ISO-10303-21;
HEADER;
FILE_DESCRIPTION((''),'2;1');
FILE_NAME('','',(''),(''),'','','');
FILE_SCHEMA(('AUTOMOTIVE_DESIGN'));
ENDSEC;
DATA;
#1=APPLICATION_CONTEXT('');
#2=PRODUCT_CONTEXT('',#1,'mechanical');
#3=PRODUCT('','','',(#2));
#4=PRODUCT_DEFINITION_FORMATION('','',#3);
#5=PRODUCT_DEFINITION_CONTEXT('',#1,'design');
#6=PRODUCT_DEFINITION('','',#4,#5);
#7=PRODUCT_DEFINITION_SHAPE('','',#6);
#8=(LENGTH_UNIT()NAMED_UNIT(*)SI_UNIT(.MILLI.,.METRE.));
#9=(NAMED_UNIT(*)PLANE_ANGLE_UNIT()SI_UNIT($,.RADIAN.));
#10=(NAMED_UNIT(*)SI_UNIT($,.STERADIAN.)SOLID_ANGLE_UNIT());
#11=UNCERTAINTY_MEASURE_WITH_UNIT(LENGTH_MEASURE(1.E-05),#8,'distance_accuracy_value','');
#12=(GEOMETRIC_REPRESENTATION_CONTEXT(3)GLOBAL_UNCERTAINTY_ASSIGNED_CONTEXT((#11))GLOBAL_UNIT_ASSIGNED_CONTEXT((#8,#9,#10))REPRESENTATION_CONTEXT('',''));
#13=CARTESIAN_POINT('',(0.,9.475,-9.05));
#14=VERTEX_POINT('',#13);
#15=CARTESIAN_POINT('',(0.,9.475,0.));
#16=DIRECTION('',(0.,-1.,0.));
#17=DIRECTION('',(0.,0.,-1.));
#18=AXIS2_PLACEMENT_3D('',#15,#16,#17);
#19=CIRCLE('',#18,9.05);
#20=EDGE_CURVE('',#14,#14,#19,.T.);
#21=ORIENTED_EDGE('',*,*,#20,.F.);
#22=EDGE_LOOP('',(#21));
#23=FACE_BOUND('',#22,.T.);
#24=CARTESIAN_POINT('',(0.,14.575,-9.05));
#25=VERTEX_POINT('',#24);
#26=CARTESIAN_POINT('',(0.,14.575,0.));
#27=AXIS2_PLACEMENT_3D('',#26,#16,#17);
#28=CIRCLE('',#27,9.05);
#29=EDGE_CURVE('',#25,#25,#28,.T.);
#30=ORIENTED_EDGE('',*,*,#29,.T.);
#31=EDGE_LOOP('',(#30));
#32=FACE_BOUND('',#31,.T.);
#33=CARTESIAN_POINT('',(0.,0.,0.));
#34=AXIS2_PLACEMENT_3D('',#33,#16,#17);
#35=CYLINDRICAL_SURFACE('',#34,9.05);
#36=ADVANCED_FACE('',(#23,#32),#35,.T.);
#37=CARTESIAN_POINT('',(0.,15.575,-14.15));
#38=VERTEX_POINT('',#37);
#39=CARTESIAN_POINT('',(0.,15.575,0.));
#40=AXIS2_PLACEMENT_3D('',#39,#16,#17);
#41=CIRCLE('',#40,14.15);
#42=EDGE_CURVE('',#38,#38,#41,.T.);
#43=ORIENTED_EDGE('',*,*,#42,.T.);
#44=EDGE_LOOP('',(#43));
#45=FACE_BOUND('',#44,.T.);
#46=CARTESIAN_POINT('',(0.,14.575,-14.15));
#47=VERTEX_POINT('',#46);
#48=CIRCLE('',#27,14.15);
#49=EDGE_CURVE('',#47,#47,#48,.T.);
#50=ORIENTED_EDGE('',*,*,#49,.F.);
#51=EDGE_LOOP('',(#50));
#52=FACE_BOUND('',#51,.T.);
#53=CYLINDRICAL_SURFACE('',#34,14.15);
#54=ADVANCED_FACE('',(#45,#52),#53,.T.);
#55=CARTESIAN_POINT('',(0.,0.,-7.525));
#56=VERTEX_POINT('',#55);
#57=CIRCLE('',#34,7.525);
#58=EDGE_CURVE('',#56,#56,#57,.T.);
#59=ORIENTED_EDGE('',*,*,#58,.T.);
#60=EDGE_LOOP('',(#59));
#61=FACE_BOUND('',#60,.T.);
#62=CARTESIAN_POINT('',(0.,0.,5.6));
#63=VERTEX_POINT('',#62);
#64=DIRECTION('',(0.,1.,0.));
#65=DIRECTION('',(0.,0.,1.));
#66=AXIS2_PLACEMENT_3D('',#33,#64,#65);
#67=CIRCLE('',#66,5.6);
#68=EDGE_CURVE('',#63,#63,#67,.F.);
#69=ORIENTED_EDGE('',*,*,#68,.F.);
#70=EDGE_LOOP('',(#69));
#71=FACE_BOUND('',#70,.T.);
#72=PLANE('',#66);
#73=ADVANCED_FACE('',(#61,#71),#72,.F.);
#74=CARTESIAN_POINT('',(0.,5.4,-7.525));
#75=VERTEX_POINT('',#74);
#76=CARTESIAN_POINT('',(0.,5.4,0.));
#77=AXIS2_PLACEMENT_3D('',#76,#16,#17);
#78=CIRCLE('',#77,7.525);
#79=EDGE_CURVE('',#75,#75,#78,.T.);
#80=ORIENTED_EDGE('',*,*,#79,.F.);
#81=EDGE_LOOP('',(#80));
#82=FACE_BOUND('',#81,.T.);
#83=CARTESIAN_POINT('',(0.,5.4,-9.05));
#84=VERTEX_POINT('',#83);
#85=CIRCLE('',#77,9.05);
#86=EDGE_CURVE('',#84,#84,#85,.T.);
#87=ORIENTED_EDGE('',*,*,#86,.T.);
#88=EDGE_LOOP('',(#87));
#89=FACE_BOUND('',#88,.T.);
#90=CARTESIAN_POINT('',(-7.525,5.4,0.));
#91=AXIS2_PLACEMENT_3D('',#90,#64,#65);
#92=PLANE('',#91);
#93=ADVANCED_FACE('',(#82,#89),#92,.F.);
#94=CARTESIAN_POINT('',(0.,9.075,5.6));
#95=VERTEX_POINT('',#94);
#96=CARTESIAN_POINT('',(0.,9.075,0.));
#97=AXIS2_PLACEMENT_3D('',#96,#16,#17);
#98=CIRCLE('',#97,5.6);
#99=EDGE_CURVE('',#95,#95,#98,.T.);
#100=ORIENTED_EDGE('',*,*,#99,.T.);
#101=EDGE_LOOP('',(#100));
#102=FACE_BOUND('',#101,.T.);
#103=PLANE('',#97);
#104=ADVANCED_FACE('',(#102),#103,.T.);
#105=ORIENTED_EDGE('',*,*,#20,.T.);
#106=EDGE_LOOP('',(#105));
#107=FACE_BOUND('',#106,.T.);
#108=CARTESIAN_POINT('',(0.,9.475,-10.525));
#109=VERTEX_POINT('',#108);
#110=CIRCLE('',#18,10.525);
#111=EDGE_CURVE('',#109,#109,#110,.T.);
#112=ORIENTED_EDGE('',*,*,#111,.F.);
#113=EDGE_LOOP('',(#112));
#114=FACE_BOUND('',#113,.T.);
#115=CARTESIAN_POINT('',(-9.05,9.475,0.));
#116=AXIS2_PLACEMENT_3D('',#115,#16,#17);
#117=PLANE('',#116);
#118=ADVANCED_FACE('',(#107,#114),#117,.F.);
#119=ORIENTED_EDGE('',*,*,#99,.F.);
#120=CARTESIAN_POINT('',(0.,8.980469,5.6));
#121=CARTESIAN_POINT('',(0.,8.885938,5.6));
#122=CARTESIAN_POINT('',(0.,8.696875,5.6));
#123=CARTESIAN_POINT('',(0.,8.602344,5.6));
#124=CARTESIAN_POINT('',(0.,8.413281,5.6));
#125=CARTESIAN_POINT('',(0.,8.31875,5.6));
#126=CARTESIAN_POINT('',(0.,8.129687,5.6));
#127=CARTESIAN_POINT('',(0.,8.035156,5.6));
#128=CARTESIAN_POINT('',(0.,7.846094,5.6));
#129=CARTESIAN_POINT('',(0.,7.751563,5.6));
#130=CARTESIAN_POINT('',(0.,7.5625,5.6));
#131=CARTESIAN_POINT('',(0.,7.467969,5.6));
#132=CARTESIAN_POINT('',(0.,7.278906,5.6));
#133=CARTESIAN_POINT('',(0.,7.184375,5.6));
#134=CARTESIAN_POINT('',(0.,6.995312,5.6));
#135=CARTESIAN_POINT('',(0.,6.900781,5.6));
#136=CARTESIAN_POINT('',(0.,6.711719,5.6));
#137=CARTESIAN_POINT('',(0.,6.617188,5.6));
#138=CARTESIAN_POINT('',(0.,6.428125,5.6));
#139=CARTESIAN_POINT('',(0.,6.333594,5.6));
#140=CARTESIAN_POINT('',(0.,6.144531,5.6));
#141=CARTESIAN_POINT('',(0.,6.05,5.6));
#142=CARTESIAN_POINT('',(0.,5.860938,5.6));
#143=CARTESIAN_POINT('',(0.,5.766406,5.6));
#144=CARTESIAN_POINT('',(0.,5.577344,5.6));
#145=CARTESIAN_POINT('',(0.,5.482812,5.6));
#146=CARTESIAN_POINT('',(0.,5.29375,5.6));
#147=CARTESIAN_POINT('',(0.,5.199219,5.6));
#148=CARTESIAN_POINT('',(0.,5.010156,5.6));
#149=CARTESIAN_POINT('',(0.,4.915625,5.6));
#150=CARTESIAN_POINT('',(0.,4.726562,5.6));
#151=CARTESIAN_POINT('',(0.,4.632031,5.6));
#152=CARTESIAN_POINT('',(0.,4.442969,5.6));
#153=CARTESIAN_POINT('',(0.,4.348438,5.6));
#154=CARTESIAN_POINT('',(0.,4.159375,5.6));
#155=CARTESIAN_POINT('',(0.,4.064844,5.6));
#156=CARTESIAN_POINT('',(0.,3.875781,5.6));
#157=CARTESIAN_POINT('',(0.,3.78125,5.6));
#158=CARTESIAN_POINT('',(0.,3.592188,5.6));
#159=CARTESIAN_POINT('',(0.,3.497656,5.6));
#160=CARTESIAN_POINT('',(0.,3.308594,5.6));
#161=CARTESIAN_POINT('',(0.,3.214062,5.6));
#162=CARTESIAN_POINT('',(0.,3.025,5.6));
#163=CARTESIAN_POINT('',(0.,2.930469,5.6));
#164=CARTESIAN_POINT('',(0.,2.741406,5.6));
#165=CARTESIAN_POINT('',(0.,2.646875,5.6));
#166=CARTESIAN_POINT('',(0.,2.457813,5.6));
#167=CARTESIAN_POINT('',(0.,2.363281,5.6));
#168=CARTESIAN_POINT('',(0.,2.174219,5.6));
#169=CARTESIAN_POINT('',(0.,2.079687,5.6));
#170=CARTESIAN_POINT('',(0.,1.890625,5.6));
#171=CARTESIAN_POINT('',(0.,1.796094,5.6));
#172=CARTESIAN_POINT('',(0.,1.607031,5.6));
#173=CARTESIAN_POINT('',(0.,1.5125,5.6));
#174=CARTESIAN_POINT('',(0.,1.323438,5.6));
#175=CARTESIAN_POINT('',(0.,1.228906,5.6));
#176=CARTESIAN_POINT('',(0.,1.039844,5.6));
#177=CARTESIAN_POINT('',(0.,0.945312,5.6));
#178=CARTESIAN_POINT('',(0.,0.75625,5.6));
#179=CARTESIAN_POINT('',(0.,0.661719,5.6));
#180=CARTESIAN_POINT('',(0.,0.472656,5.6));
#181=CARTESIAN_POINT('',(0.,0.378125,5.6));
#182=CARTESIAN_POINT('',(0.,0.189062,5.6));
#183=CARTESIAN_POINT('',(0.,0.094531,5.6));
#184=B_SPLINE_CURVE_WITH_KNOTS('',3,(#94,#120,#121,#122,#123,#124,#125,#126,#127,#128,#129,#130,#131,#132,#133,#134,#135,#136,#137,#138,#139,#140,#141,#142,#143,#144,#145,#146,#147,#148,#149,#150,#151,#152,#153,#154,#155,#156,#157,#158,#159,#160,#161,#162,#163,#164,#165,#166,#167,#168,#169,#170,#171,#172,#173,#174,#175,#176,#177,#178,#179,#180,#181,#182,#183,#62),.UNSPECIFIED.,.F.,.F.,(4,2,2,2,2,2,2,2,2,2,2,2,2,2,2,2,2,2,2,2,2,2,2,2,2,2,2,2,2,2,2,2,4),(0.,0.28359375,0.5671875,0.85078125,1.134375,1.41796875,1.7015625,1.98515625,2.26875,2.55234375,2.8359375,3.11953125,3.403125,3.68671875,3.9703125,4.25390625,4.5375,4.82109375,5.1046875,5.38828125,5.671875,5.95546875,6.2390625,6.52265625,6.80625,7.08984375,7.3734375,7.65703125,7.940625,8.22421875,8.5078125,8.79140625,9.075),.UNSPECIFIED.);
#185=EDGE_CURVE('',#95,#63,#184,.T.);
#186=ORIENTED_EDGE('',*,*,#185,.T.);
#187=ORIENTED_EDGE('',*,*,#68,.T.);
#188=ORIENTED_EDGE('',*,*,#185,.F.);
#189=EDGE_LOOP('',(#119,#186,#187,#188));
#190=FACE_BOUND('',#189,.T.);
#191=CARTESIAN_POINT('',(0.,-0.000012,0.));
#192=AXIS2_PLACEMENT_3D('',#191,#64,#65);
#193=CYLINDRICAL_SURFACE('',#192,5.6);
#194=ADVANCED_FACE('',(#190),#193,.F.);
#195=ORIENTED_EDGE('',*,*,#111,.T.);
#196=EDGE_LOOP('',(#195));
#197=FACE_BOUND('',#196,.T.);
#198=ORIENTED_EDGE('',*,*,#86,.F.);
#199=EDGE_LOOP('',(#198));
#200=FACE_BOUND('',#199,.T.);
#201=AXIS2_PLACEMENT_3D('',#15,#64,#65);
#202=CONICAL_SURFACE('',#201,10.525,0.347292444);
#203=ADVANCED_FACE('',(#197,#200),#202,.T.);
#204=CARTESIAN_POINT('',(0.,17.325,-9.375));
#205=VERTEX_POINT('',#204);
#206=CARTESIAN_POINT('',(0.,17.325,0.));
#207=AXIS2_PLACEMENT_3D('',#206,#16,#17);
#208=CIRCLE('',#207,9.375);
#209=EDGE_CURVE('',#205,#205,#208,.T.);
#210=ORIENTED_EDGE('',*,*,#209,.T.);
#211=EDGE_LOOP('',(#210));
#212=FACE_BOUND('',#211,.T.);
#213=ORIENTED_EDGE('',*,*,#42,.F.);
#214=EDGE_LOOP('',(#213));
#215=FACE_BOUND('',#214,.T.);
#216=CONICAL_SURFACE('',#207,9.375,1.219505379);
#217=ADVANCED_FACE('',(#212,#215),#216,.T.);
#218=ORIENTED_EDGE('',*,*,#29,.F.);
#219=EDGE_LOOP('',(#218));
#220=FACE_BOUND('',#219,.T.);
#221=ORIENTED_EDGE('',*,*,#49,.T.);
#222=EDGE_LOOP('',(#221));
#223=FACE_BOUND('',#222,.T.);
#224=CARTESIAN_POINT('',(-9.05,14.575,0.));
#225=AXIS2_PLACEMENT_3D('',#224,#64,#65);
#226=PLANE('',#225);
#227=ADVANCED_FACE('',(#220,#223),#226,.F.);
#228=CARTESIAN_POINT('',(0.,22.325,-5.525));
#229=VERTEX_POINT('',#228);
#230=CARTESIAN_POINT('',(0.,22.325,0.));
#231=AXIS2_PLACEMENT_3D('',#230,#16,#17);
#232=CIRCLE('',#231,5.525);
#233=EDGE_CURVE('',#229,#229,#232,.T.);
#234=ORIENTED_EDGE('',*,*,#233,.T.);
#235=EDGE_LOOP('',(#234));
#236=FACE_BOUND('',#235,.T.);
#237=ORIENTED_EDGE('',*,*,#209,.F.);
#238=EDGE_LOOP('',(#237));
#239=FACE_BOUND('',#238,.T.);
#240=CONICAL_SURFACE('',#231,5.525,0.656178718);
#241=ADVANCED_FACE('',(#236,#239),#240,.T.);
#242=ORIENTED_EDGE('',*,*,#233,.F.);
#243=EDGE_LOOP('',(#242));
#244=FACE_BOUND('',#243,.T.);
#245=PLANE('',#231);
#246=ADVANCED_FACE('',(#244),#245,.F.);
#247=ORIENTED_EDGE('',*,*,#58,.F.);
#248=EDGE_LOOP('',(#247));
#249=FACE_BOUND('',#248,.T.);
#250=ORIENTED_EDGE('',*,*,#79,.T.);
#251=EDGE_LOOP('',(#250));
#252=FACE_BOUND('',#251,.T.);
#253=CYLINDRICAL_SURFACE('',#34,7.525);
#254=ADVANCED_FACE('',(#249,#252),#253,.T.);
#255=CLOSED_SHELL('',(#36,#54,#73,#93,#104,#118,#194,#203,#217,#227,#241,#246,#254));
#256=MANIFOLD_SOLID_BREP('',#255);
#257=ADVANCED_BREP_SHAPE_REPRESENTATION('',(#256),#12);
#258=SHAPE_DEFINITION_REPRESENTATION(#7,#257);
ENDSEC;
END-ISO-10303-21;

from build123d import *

# Parameters (mm, degrees)
CUT_EXTRUDE_1_DEPTH      = 30.98083763
CUT_EXTRUDE_1_DEPTH_BACK = 9.075
SKETCH_2_R               = 5.6


with BuildPart() as part:
    # Эскиз1 → Повернуть1 (revolve)
    with BuildSketch(Plane.XY, mode=Mode.PRIVATE) as revolve_1_sk:
        Polygon((0, 0), (-7.525, 0), (-7.525, 5.4), (-9.05, 5.4), (-10.525, 9.475), (-9.05, 9.475), (-9.05, 14.575), (-14.15, 14.575), (-14.15, 15.575), (-9.375, 17.325), (-5.525, 22.325), (0, 22.325), align=None)
    revolve(revolve_1_sk.sketch.rotate(Axis((0, 0, 0), (0, 1, 0)), 270), axis=Axis((0, 0, 0), (0, 1, 0)))

    # Эскиз2 → Вырез-Вытянуть1 (cut, two sides: drawn at the far end of the back side and taken through both)
    with BuildSketch(Plane.XZ.offset(-CUT_EXTRUDE_1_DEPTH_BACK)):
        with Locations(Location((0, 0, 0), (0, 0, 90))):
            Circle(SKETCH_2_R)
    extrude(amount=CUT_EXTRUDE_1_DEPTH + CUT_EXTRUDE_1_DEPTH_BACK, mode=Mode.SUBTRACT)


solid = part.part
